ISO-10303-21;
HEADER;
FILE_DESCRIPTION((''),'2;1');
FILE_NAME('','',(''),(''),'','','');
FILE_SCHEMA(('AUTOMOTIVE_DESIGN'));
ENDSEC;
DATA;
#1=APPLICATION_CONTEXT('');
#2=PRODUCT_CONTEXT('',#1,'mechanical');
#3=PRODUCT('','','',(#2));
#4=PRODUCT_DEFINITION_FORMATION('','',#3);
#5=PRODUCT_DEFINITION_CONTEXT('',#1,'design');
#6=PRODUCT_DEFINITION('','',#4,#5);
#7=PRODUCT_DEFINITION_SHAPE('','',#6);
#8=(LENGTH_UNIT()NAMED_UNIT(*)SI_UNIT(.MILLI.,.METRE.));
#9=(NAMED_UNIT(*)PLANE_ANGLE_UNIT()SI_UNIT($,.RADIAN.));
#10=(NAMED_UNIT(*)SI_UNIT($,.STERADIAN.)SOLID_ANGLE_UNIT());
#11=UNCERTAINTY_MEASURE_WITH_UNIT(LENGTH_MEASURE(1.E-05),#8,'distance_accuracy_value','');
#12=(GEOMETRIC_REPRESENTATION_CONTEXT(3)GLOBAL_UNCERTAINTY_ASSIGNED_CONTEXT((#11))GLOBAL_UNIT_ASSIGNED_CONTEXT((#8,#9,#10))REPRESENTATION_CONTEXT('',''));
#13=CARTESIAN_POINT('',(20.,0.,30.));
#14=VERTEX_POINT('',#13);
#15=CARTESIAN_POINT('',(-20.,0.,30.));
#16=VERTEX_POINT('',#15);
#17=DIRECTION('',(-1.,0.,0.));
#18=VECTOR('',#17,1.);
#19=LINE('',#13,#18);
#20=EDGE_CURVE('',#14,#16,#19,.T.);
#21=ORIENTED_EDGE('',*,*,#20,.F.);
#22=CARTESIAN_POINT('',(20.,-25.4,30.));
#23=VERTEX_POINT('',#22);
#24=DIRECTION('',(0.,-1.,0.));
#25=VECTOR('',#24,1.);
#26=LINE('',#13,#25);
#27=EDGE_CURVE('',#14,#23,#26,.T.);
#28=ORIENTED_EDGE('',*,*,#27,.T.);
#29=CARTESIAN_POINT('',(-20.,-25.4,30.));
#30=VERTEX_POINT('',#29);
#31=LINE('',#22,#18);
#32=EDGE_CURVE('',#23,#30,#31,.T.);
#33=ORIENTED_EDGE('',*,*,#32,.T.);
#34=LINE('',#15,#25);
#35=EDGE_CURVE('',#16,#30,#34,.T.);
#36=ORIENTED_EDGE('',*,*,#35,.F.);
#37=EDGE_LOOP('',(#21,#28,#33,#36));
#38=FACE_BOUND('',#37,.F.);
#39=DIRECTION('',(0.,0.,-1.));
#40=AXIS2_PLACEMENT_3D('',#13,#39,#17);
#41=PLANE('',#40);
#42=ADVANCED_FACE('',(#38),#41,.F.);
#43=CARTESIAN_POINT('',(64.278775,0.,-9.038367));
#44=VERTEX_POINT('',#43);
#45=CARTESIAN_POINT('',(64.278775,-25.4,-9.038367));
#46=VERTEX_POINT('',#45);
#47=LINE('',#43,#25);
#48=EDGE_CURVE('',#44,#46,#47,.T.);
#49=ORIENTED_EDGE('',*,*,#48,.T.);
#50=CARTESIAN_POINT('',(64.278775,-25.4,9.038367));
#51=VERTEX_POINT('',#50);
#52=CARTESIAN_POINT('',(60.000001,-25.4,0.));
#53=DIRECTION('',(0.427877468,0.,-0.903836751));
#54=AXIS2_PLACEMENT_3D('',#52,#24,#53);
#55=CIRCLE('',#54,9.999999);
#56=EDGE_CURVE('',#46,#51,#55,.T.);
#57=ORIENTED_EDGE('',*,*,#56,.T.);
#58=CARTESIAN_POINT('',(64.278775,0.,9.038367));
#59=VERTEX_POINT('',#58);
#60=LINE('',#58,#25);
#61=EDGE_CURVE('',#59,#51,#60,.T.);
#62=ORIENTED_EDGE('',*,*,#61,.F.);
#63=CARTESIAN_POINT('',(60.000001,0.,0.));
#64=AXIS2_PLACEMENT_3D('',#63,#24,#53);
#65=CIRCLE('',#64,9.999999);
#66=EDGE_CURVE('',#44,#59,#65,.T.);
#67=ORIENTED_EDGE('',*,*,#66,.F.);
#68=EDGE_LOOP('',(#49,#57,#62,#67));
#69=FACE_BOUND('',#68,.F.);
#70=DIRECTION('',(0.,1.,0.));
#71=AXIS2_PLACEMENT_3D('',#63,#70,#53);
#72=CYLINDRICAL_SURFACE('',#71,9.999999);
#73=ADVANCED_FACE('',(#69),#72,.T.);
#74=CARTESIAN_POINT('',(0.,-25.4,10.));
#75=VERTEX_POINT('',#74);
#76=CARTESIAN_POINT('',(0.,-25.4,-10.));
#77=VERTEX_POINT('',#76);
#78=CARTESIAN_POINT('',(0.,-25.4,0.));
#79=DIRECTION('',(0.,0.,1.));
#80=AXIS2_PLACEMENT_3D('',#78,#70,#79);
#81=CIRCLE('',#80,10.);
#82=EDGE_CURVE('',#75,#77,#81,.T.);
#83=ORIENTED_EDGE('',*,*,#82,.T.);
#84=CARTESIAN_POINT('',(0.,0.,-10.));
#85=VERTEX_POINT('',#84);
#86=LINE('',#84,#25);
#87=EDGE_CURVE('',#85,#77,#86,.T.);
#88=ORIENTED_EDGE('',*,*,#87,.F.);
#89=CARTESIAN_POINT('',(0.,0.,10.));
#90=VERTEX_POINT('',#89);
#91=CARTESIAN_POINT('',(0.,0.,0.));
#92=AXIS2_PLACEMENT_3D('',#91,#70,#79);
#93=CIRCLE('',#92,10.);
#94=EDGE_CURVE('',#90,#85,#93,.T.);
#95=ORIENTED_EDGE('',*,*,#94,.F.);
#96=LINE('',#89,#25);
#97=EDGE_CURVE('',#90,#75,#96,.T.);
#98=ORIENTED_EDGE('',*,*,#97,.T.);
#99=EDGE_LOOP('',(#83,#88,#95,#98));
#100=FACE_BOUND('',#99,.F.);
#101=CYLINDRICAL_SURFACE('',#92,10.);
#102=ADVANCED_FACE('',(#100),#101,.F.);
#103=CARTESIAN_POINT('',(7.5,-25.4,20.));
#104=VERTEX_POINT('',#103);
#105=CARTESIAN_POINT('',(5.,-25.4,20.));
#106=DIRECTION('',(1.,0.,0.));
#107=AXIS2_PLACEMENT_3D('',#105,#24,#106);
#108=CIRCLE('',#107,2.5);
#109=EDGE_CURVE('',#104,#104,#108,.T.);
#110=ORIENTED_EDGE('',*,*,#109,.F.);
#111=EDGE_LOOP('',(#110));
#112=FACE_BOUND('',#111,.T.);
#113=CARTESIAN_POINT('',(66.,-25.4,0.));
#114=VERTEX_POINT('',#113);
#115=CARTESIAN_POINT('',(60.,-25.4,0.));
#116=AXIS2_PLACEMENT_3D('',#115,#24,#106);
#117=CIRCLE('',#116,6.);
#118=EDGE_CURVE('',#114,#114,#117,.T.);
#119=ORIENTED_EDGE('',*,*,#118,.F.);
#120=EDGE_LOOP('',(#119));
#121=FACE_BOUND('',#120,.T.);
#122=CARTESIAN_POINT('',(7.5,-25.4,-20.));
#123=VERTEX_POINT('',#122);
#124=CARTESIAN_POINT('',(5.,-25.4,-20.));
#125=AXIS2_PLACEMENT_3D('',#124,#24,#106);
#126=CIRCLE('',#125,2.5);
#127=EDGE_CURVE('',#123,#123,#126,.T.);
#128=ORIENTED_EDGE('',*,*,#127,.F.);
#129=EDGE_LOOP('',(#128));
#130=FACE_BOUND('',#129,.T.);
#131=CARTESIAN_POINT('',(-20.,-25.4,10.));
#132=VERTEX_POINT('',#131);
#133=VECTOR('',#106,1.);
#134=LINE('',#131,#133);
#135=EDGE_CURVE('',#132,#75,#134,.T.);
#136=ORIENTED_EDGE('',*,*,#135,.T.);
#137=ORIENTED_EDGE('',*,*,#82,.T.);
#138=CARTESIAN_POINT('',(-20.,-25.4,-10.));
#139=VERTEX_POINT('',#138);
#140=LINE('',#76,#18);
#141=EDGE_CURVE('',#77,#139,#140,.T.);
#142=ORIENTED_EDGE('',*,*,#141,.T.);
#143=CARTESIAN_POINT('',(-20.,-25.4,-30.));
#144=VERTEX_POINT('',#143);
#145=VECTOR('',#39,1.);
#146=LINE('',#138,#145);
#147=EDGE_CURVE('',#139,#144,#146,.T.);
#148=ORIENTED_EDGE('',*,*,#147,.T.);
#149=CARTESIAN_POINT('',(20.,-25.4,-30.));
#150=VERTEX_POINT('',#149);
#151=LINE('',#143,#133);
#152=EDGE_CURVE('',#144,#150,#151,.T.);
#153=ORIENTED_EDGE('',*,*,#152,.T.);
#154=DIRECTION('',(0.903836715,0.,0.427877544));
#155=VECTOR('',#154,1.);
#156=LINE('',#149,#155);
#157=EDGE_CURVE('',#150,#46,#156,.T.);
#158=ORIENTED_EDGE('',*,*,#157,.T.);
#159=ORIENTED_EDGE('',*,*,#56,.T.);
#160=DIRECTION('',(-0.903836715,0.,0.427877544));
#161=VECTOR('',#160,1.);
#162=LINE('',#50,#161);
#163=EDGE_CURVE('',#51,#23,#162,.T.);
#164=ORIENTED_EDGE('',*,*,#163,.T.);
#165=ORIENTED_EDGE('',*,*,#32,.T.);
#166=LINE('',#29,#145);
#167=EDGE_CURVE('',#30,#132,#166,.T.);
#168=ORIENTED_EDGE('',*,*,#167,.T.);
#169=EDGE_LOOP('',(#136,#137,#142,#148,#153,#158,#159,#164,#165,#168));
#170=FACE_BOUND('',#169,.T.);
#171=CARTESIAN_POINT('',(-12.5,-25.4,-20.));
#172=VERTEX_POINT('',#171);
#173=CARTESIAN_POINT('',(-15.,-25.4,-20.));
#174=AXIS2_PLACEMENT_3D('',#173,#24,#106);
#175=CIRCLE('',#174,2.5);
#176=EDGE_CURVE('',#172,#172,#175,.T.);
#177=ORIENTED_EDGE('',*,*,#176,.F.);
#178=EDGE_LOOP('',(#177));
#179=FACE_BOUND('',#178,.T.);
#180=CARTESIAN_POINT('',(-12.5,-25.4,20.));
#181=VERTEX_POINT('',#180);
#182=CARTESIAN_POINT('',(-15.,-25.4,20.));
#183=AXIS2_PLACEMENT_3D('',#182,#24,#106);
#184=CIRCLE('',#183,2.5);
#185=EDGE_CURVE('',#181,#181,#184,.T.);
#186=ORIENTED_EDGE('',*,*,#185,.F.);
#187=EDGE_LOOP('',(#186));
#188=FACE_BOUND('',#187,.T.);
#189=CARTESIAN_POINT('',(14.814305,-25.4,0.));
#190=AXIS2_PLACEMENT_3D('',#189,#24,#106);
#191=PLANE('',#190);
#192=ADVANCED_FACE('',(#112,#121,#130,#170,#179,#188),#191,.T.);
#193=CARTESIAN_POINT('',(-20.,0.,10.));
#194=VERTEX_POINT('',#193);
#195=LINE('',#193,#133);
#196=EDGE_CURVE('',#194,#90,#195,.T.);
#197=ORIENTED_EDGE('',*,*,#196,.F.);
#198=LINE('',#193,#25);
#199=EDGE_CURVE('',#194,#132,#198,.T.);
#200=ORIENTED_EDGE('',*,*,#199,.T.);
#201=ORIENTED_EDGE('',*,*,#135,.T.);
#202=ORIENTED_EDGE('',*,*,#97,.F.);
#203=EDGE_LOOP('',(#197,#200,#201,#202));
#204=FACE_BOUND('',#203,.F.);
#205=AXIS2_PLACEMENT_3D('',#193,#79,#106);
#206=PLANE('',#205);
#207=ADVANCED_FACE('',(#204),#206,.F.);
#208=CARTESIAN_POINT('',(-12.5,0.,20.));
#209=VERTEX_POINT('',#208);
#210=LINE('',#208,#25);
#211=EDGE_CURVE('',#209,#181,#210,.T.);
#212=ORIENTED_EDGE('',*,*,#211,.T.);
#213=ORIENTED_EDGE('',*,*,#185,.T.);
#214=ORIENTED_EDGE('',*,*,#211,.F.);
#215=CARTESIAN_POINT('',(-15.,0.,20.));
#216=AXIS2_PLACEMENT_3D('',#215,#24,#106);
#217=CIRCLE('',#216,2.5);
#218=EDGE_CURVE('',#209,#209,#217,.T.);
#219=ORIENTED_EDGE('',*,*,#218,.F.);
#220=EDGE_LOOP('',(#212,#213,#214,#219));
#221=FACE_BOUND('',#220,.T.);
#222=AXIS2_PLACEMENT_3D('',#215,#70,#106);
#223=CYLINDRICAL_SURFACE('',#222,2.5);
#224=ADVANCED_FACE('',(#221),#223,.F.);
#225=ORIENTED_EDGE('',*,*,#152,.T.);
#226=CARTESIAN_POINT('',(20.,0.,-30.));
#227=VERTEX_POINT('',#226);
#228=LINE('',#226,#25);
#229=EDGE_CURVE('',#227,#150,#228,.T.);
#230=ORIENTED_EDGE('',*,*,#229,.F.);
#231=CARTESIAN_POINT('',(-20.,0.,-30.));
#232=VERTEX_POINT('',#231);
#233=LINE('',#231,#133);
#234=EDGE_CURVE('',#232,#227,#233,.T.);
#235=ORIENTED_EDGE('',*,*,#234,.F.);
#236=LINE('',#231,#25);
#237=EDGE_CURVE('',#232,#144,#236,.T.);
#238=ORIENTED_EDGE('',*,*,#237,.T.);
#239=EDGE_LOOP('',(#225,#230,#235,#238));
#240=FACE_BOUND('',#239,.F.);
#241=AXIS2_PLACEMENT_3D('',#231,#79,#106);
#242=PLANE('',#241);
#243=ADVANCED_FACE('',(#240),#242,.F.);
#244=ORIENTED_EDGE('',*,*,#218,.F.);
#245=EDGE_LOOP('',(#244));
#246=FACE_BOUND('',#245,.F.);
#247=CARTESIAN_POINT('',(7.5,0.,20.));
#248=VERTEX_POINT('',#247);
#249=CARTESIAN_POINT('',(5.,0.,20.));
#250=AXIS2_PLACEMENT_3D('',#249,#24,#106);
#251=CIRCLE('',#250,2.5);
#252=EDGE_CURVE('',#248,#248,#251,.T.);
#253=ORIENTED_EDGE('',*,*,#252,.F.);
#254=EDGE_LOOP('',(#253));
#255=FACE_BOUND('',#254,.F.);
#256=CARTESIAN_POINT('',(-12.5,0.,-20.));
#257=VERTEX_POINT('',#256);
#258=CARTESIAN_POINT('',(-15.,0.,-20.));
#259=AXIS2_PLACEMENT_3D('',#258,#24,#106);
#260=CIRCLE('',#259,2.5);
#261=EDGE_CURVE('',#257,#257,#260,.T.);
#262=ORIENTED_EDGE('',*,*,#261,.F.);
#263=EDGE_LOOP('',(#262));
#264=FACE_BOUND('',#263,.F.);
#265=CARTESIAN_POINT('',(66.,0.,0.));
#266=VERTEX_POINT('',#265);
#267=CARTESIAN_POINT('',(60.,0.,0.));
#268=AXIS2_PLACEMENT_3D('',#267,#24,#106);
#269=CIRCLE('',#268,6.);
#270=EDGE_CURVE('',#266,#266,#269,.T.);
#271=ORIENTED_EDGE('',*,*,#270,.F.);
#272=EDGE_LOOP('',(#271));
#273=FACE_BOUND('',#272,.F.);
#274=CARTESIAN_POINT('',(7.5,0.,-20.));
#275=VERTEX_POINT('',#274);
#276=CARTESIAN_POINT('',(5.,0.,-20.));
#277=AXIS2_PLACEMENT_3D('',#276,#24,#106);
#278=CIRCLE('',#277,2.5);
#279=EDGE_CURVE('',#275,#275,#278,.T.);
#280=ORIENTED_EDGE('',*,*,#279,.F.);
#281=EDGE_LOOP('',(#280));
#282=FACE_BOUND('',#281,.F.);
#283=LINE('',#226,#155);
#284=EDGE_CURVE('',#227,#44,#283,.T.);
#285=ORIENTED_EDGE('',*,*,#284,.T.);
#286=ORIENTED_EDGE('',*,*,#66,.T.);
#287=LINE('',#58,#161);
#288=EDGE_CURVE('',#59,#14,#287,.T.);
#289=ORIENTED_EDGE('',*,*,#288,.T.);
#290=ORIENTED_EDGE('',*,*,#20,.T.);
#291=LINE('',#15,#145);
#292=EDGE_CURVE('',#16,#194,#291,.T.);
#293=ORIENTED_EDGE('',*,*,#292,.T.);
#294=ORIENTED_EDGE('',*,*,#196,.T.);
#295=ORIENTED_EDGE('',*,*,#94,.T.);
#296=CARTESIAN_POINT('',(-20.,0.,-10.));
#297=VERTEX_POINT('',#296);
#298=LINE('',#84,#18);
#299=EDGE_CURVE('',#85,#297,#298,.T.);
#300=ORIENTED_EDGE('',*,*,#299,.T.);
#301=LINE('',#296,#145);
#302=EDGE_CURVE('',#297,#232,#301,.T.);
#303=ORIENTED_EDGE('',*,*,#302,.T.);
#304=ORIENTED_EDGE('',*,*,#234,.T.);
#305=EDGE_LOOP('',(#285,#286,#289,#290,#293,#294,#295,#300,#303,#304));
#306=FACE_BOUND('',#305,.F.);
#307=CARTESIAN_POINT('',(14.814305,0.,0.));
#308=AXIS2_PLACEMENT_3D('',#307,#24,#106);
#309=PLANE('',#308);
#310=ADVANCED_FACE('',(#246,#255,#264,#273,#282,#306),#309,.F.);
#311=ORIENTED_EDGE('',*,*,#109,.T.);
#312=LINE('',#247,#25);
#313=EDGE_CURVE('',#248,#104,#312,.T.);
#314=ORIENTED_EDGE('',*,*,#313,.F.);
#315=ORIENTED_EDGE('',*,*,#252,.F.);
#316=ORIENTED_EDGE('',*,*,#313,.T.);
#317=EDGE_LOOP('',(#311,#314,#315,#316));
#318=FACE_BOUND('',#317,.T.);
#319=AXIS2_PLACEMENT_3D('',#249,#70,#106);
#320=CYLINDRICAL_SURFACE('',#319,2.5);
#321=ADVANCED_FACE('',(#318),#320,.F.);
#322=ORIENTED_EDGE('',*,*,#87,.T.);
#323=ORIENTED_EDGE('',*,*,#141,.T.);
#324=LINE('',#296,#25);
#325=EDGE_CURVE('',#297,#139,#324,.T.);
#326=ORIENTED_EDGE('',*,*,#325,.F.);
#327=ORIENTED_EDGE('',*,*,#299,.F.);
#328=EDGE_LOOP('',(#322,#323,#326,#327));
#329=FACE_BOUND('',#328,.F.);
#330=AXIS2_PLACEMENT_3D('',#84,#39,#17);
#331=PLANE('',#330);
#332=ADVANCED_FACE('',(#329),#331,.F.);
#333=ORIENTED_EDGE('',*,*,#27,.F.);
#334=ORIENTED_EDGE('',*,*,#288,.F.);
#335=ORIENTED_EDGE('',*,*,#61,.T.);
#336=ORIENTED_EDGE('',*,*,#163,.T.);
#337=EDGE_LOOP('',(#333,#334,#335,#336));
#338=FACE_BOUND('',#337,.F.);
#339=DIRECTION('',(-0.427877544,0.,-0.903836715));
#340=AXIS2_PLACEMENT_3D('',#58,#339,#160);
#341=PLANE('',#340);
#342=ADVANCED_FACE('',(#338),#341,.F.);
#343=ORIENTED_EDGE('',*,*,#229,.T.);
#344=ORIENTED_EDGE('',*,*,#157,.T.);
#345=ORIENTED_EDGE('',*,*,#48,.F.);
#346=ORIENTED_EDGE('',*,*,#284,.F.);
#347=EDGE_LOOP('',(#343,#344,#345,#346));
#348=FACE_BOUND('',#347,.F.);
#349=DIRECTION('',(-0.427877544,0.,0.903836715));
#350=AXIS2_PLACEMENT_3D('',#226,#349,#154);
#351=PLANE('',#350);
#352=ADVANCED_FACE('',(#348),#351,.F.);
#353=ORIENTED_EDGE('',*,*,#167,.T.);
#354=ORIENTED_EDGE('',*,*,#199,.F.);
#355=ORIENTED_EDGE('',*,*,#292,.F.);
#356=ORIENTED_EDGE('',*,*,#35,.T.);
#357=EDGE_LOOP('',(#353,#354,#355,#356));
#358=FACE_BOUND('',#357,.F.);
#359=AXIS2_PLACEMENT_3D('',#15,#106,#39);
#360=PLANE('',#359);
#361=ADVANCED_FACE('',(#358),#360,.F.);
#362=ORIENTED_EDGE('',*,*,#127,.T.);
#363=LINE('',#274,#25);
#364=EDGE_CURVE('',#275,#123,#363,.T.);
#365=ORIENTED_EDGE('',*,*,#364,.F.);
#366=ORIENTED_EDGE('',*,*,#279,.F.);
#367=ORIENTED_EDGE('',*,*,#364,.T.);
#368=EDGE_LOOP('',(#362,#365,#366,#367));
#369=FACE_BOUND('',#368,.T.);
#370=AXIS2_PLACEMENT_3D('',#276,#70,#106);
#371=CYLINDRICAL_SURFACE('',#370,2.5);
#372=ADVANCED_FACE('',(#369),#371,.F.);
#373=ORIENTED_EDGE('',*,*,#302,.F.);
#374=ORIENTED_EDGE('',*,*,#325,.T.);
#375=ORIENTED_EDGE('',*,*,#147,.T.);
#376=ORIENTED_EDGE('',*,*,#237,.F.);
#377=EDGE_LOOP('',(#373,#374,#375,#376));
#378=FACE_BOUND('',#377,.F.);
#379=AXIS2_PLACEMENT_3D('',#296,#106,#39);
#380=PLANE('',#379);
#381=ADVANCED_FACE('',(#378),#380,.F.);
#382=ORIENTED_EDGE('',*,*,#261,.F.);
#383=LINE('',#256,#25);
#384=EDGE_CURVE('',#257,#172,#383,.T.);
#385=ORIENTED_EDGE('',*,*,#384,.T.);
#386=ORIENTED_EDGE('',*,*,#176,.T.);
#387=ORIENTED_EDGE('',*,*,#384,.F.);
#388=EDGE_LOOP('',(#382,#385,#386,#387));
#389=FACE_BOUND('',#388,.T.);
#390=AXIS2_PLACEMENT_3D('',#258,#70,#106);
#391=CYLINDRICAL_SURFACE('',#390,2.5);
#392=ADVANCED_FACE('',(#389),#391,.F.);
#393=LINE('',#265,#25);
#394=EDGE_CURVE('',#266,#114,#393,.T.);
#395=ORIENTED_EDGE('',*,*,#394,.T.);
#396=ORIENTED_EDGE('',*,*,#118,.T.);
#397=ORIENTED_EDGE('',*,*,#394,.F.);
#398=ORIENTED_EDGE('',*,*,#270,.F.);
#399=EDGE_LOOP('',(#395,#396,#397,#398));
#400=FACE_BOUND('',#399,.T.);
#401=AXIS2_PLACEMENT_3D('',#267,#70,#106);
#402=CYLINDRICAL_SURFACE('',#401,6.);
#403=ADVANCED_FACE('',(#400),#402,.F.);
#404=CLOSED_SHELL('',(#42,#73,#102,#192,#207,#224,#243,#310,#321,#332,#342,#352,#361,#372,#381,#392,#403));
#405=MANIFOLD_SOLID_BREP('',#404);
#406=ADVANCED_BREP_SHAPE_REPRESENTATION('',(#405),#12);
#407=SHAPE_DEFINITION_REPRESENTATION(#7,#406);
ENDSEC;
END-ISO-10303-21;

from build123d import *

# Parameters (mm, degrees)
F0_R     = 2.5
F0_R_2   = 6
F1_DEPTH = 25.4


with BuildPart() as f1:
    # F0 (on Front) → F1 (new body)
    with BuildSketch(Plane.XZ):
        with BuildLine():
            ThreePointArc((0, 10), (10, 0), (0, -10))
            Line((0, -10), (-20, -10))
            Line((-20, -10), (-20, -30))
            Line((-20, -30), (20, -30))
            Line((20, -30), (64.278775, -9.038367))
            ThreePointArc((64.278775, -9.038367), (70, 0), (64.278775, 9.038367))
            Line((64.278775, 9.038367), (20, 30))
            Line((20, 30), (-20, 30))
            Line((-20, 30), (-20, 10))
            Line((-20, 10), (0, 10))
        make_face()
        with Locations((-15, -20)):
            Circle(F0_R, mode=Mode.SUBTRACT)
        with Locations((5, -20)):
            Circle(F0_R, mode=Mode.SUBTRACT)
        with Locations((-15, 20)):
            Circle(F0_R, mode=Mode.SUBTRACT)
        with Locations((5, 20)):
            Circle(F0_R, mode=Mode.SUBTRACT)
        with Locations((60, 0)):
            Circle(F0_R_2, mode=Mode.SUBTRACT)
    extrude(amount=F1_DEPTH)


solid = f1.part
